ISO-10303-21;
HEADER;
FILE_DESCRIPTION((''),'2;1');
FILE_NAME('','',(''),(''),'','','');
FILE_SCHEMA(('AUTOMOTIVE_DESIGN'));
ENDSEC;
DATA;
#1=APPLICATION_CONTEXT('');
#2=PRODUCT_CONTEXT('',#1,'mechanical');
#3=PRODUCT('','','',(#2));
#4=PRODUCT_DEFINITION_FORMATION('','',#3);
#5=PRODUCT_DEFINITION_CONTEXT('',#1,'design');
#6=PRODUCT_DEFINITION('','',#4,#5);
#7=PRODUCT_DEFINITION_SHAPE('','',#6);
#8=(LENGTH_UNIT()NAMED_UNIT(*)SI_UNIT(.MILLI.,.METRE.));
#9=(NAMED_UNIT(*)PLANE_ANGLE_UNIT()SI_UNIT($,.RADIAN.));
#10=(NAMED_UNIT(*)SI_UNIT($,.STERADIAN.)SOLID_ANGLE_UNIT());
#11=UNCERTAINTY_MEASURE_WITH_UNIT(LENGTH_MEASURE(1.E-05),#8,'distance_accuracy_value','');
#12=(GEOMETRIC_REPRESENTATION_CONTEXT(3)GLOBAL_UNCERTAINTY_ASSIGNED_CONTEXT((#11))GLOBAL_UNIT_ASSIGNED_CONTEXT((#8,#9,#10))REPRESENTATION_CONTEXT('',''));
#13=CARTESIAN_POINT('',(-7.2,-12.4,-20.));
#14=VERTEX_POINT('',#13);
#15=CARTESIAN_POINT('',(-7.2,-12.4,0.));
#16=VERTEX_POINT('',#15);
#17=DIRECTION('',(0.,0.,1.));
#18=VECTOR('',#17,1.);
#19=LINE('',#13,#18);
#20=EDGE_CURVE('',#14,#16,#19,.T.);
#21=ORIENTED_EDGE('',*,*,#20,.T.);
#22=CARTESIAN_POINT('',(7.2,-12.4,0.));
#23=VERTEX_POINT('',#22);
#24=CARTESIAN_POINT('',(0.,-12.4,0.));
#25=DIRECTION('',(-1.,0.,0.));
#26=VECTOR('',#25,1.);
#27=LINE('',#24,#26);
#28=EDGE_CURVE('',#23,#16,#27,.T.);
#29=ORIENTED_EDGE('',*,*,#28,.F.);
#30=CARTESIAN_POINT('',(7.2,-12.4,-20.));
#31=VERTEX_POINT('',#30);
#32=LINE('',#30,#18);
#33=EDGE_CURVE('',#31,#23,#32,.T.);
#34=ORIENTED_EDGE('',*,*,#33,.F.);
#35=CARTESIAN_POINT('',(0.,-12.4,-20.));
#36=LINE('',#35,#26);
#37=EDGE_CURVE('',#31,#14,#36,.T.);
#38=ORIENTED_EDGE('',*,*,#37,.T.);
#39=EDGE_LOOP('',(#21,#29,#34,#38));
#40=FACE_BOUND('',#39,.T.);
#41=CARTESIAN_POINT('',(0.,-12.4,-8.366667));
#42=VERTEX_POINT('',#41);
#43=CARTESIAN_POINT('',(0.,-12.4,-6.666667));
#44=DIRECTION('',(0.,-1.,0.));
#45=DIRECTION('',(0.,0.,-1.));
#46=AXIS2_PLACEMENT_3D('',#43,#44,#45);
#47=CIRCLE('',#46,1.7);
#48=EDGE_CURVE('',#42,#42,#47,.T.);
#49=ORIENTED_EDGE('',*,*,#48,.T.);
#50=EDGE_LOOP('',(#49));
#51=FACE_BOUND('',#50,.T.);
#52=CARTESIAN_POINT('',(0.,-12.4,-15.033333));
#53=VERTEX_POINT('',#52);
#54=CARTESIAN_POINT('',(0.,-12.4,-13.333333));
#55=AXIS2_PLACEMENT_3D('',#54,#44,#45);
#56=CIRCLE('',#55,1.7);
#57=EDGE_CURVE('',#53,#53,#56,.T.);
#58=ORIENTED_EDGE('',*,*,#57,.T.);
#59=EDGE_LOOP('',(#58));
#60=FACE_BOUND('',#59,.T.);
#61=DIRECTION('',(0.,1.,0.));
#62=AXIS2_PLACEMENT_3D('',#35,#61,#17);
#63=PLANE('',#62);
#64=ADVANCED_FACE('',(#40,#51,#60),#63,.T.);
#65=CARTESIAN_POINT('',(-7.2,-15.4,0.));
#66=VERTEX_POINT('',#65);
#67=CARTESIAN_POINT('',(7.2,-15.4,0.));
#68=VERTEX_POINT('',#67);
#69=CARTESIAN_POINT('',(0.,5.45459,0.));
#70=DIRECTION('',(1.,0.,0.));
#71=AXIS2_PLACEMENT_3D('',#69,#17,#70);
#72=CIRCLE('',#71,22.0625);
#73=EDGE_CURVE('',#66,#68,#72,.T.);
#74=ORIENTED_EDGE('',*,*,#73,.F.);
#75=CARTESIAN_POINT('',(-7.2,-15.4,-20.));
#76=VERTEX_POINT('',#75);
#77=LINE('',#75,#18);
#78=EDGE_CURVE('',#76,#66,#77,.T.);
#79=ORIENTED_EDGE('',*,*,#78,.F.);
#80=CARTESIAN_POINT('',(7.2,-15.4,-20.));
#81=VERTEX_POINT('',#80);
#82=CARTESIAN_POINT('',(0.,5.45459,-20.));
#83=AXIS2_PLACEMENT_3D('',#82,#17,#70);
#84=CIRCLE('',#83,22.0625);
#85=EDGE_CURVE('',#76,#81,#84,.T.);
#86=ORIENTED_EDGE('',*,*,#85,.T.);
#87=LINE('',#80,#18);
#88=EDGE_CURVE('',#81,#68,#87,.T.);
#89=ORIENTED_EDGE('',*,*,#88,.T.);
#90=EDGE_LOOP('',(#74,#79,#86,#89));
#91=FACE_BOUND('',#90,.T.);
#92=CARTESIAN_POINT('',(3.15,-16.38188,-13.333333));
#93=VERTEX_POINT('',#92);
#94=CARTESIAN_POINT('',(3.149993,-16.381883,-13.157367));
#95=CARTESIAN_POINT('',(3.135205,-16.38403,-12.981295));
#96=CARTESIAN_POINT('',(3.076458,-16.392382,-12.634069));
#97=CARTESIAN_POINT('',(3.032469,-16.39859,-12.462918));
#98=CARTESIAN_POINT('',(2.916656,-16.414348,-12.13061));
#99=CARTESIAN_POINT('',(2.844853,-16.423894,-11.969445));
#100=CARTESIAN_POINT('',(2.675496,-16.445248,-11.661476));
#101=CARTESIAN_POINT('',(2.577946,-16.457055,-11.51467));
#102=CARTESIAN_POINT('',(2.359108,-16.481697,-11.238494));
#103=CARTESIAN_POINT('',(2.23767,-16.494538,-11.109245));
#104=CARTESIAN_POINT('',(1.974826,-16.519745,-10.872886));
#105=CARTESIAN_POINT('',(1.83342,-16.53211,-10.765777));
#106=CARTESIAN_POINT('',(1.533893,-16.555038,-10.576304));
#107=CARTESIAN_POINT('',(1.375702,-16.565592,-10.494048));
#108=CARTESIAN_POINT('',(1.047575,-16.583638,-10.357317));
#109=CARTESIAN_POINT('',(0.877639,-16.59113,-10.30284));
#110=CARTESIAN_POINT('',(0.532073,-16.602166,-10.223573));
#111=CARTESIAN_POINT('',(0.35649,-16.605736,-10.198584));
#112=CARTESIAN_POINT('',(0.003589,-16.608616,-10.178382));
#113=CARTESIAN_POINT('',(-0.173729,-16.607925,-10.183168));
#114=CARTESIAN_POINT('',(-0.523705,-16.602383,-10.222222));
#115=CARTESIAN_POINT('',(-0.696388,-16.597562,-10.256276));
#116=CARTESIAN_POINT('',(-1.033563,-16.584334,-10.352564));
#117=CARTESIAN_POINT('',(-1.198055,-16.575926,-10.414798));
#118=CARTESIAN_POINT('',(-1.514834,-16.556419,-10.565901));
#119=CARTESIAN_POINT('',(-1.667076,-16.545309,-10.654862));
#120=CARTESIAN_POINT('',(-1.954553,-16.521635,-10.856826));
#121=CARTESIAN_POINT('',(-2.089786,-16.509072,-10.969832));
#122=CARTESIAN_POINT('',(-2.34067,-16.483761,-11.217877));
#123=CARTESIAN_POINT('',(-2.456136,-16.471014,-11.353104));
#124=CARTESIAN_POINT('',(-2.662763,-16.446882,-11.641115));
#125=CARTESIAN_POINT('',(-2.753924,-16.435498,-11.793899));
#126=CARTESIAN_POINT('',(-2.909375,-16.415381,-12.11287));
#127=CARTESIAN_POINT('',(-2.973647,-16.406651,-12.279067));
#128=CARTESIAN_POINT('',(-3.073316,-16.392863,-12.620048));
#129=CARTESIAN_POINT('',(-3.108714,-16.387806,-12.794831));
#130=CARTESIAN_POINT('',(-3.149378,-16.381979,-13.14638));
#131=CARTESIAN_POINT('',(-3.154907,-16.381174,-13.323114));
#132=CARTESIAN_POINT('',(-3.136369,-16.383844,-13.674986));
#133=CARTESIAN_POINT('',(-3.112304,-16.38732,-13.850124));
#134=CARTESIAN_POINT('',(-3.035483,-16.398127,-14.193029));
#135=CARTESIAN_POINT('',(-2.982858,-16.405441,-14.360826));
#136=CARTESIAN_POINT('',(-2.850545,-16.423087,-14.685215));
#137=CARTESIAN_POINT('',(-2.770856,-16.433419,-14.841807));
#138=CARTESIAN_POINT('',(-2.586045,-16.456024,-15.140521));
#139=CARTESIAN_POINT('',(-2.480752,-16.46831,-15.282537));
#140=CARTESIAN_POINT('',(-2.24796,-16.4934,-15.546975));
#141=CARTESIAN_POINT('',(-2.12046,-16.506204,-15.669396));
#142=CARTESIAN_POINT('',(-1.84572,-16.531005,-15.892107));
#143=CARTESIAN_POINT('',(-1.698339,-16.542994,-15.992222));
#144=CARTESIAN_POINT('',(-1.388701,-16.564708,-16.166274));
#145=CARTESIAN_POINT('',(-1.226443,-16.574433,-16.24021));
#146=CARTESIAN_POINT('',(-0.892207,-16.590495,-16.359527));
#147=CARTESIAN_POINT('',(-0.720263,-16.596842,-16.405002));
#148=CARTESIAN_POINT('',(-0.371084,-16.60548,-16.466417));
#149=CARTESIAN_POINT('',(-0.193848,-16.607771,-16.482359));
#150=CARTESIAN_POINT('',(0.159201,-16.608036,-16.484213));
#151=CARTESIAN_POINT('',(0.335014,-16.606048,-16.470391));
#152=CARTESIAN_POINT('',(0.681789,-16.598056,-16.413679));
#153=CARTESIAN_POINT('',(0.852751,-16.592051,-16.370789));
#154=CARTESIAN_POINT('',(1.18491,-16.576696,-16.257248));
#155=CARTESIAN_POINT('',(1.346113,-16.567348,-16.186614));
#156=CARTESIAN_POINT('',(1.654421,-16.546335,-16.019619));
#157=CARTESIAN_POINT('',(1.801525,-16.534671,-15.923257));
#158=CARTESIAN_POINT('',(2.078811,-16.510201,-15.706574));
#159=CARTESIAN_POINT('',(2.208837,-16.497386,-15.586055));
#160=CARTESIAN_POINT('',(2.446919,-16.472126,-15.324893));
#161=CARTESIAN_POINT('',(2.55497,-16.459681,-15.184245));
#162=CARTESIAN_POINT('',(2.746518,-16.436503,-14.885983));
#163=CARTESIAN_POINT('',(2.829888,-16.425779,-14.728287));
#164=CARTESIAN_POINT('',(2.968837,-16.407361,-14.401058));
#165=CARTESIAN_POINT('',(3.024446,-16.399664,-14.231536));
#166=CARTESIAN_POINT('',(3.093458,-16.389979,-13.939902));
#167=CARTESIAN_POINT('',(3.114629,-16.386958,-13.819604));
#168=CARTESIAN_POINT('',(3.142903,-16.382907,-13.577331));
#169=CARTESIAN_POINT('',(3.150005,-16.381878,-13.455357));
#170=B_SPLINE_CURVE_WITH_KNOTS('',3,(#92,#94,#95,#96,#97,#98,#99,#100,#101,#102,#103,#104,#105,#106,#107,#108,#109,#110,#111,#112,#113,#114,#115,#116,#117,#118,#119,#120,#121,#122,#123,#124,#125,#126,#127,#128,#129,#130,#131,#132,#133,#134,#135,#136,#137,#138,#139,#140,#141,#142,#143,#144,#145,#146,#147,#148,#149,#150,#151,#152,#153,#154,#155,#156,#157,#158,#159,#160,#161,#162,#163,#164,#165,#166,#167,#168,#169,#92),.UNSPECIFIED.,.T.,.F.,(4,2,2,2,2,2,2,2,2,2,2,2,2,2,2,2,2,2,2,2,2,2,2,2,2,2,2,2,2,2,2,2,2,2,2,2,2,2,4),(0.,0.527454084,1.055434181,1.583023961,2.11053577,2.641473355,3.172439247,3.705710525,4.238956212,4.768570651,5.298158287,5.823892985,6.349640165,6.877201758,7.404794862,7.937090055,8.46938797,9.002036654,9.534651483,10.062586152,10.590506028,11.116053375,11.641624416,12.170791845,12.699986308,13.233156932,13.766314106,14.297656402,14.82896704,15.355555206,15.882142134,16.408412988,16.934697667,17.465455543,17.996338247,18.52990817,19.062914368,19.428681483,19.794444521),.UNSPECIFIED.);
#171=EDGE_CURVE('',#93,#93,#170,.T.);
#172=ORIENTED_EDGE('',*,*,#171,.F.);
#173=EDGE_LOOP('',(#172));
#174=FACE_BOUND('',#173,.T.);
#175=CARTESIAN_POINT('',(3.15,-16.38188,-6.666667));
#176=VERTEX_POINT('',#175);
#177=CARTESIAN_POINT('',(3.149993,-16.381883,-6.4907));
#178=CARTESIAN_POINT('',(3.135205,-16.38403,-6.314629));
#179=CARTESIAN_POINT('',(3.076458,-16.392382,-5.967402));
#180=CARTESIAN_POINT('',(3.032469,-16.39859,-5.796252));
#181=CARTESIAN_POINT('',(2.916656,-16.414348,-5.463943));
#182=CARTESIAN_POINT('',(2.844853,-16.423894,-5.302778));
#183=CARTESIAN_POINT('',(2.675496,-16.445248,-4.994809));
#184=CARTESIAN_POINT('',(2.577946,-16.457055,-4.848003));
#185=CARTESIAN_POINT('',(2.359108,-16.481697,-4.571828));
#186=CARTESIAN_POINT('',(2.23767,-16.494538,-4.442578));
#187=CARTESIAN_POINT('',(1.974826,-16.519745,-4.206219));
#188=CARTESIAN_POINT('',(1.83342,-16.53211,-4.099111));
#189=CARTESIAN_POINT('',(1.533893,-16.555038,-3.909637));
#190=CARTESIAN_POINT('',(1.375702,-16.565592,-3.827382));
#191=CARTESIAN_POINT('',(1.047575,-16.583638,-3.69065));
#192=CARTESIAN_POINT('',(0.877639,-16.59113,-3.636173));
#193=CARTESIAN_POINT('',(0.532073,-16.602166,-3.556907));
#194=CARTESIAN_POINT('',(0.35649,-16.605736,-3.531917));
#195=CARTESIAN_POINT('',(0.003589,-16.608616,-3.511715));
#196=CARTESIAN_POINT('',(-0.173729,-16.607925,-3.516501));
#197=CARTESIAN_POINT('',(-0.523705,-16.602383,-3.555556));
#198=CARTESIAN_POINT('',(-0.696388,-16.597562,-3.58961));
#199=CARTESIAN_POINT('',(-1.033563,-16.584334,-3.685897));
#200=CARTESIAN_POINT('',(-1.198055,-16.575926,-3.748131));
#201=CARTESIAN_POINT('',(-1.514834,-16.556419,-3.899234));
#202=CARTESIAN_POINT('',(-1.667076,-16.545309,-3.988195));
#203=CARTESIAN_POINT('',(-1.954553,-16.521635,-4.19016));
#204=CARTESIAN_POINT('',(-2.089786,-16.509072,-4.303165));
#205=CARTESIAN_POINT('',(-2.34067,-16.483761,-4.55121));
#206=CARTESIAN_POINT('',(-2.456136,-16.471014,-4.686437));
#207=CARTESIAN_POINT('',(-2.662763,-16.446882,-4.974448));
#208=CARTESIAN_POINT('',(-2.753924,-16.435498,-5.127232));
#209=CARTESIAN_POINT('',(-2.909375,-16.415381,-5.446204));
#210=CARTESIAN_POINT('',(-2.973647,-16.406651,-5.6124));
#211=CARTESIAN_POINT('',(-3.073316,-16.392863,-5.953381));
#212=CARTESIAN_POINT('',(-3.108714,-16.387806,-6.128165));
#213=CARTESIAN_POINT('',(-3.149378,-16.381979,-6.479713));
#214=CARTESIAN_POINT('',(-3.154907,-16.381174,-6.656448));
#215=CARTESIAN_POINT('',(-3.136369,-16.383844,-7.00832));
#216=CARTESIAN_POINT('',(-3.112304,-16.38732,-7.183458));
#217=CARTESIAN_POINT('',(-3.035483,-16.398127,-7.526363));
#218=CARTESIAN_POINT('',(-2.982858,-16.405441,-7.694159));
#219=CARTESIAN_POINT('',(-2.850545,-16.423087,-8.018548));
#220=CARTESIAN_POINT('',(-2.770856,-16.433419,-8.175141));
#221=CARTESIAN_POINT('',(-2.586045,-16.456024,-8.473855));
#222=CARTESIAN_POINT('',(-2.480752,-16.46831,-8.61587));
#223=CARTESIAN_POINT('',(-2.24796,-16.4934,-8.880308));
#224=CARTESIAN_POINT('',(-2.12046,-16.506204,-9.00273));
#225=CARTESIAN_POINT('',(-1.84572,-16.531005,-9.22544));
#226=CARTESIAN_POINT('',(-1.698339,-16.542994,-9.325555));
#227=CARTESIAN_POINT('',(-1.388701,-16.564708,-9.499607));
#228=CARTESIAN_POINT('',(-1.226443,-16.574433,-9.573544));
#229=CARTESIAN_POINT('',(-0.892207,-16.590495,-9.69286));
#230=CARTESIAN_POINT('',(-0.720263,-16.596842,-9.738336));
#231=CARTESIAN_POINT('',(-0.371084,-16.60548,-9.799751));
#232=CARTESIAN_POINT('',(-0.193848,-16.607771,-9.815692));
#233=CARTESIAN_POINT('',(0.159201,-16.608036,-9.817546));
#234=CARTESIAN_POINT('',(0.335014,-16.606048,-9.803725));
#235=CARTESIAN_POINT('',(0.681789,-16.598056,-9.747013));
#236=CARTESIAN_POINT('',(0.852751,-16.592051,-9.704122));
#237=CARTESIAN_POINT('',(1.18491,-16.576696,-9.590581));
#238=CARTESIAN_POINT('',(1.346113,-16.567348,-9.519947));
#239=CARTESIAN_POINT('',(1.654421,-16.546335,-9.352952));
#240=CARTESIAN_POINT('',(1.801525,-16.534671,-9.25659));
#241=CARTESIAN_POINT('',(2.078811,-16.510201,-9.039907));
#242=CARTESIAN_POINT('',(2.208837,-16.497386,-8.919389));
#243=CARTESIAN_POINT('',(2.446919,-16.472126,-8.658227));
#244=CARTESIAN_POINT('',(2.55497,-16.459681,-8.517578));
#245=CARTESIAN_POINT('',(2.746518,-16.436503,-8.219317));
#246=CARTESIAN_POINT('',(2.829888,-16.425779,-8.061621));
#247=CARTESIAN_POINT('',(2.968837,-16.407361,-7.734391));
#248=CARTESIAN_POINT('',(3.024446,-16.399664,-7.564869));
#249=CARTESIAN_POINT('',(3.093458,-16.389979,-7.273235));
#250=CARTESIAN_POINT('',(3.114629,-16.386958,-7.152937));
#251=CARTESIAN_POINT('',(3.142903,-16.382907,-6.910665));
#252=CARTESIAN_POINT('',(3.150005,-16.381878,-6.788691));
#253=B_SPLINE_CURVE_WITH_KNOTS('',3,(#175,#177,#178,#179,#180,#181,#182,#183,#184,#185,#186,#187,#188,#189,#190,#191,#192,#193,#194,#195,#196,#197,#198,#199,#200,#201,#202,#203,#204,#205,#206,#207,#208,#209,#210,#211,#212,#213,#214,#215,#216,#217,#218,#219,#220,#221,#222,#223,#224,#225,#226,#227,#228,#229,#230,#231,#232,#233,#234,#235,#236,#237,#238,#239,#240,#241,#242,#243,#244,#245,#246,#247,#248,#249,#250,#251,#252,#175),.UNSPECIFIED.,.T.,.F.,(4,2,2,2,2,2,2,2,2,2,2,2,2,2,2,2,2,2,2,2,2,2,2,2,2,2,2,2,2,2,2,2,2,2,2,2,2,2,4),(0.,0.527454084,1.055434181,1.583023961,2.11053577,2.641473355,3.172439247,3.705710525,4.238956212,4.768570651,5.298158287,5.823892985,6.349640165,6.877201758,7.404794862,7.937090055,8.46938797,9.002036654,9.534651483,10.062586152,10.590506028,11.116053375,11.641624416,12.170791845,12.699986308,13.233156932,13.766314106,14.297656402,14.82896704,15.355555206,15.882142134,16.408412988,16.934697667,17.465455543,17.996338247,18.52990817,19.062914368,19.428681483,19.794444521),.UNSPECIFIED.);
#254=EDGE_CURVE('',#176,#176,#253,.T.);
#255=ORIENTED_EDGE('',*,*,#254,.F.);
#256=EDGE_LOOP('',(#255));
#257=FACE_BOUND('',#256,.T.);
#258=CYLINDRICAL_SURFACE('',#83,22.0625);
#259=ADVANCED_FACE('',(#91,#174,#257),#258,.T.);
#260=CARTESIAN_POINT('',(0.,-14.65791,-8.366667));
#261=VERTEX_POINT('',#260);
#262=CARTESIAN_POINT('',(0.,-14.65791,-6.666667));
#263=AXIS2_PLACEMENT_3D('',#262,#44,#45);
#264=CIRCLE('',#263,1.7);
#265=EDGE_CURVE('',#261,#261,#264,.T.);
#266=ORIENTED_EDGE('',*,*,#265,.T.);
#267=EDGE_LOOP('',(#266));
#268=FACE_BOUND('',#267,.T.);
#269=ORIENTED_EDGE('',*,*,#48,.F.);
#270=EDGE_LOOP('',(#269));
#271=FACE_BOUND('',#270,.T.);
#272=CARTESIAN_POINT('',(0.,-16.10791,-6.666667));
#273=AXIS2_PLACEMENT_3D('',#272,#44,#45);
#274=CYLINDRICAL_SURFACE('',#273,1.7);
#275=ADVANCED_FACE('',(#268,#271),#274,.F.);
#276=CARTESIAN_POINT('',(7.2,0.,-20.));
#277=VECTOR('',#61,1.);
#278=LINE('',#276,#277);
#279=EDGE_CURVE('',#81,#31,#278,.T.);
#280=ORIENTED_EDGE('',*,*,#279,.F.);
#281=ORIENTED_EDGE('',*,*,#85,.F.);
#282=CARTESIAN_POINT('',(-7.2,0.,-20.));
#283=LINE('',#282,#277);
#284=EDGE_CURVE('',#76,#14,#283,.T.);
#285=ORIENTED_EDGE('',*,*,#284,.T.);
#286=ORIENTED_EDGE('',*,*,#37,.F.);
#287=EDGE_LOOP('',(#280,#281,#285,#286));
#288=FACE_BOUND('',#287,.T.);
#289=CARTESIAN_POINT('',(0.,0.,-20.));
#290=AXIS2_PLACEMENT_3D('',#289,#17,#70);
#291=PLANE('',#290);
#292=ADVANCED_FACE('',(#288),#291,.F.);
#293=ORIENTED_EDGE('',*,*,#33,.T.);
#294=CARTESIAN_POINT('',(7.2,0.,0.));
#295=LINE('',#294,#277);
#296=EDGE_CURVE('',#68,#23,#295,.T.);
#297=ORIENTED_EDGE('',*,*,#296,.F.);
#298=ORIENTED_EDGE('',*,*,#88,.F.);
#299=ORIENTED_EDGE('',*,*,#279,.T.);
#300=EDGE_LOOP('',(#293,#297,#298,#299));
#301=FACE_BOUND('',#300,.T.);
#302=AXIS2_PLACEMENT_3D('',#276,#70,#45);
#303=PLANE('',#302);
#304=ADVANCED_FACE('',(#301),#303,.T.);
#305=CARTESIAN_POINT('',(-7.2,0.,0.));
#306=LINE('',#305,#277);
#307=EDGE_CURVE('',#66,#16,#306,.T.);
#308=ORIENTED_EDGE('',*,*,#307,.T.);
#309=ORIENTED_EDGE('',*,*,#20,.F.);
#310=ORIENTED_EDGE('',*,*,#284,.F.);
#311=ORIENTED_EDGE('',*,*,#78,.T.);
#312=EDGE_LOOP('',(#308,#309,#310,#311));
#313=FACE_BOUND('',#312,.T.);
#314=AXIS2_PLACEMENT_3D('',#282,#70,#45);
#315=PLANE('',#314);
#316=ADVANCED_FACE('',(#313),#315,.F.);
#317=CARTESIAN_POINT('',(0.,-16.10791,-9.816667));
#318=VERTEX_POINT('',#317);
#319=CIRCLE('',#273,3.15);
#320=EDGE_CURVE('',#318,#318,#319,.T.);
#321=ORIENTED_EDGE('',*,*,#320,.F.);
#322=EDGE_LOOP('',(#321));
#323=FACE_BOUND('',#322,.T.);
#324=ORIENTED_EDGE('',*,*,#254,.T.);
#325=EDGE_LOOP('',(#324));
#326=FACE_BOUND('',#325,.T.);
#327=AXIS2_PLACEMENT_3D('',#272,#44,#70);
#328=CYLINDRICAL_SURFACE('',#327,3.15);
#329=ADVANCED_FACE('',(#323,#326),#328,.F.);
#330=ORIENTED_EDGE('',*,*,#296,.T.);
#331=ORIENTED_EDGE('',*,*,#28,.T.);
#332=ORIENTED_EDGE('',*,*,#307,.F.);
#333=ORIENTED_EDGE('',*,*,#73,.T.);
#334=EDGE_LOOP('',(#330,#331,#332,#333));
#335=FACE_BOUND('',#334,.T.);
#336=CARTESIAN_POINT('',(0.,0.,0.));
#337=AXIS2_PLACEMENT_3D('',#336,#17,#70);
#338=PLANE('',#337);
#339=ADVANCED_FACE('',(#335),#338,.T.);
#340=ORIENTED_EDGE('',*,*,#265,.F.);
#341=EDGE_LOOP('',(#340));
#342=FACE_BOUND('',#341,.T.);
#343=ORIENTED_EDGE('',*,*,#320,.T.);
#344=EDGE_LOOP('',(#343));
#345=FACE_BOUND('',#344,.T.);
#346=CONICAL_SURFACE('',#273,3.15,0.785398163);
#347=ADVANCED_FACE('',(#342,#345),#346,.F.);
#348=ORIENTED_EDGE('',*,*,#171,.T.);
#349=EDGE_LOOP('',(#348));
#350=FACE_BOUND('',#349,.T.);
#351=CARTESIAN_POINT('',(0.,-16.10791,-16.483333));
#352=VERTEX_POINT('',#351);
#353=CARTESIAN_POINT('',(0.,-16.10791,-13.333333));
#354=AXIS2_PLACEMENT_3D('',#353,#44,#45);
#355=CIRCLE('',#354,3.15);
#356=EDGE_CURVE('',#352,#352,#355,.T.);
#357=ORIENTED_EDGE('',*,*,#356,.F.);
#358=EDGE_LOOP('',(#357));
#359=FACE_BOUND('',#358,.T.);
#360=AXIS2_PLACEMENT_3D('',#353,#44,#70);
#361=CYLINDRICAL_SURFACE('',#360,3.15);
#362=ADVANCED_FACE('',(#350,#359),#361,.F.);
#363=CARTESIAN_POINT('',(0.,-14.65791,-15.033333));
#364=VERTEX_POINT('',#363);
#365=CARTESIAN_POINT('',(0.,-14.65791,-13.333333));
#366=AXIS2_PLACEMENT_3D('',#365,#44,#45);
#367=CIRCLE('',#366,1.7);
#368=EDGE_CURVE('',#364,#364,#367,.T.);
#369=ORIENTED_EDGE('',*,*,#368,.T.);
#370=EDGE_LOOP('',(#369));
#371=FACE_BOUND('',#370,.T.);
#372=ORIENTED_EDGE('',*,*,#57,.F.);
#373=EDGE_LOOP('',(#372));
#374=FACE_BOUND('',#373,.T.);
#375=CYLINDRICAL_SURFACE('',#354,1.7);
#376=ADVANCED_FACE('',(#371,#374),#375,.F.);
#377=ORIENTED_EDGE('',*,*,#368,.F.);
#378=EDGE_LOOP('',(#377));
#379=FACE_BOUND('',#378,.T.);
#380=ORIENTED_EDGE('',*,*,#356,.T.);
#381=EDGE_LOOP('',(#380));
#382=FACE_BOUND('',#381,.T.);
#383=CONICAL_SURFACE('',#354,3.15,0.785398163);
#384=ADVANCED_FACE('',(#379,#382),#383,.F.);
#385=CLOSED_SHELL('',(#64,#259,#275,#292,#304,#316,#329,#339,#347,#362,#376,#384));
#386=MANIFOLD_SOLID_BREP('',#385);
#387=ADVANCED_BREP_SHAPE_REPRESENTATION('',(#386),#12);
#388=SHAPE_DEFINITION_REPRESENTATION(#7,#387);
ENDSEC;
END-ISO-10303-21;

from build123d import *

# Parameters (mm, degrees)
ESTRUSIONE_ESTRUSIONE1_DEPTH           = 20
SCHIZZO2_R                             = 3.15
TAGLIO_ESTRUSIONE1_DEPTH               = 0.5
FORO_SVASATO_PER_VITE_M3_1_D           = 3.4
FORO_SVASATO_PER_VITE_M3_1_CSINK_D     = 6.3
FORO_SVASATO_PER_VITE_M3_1_CSINK_ANGLE = 90


with BuildPart() as part:
    # Schizzo1 → Estrusione-Estrusione1 (new body)
    with BuildSketch(Plane.XY):
        with BuildLine():
            Line((7.2, -12.4), (-7.2, -12.4))
            Line((-7.2, -12.4), (-7.2, -15.4))
            ThreePointArc((-7.2, -15.4), (0, -16.607910427), (7.2, -15.4))
            Line((7.2, -15.4), (7.2, -12.4))
        make_face()
    extrude(amount=-ESTRUSIONE_ESTRUSIONE1_DEPTH)

    # Schizzo2 → Taglio-Estrusione1 (cut)
    with BuildSketch(Plane(origin=(0, -16.607910427, 0), x_dir=(-1, 0, 0), z_dir=(0, -1, 0))):
        with Locations((0, 13.333333333)):
            Circle(SCHIZZO2_R)
        with Locations((0, 6.666666667)):
            Circle(SCHIZZO2_R)
    extrude(amount=-TAGLIO_ESTRUSIONE1_DEPTH, mode=Mode.SUBTRACT)

    # Foro svasato per Vite M3-1 (through all)
    with Locations(Plane(origin=(0, -16.107910427, -6.666666667), x_dir=(-1, 0, 0), z_dir=(0, -1, 0))):
        with Locations((0, 0), (0, 6.666666666)):
            CounterSinkHole(FORO_SVASATO_PER_VITE_M3_1_D / 2, FORO_SVASATO_PER_VITE_M3_1_CSINK_D / 2, counter_sink_angle=FORO_SVASATO_PER_VITE_M3_1_CSINK_ANGLE)


solid = part.part
